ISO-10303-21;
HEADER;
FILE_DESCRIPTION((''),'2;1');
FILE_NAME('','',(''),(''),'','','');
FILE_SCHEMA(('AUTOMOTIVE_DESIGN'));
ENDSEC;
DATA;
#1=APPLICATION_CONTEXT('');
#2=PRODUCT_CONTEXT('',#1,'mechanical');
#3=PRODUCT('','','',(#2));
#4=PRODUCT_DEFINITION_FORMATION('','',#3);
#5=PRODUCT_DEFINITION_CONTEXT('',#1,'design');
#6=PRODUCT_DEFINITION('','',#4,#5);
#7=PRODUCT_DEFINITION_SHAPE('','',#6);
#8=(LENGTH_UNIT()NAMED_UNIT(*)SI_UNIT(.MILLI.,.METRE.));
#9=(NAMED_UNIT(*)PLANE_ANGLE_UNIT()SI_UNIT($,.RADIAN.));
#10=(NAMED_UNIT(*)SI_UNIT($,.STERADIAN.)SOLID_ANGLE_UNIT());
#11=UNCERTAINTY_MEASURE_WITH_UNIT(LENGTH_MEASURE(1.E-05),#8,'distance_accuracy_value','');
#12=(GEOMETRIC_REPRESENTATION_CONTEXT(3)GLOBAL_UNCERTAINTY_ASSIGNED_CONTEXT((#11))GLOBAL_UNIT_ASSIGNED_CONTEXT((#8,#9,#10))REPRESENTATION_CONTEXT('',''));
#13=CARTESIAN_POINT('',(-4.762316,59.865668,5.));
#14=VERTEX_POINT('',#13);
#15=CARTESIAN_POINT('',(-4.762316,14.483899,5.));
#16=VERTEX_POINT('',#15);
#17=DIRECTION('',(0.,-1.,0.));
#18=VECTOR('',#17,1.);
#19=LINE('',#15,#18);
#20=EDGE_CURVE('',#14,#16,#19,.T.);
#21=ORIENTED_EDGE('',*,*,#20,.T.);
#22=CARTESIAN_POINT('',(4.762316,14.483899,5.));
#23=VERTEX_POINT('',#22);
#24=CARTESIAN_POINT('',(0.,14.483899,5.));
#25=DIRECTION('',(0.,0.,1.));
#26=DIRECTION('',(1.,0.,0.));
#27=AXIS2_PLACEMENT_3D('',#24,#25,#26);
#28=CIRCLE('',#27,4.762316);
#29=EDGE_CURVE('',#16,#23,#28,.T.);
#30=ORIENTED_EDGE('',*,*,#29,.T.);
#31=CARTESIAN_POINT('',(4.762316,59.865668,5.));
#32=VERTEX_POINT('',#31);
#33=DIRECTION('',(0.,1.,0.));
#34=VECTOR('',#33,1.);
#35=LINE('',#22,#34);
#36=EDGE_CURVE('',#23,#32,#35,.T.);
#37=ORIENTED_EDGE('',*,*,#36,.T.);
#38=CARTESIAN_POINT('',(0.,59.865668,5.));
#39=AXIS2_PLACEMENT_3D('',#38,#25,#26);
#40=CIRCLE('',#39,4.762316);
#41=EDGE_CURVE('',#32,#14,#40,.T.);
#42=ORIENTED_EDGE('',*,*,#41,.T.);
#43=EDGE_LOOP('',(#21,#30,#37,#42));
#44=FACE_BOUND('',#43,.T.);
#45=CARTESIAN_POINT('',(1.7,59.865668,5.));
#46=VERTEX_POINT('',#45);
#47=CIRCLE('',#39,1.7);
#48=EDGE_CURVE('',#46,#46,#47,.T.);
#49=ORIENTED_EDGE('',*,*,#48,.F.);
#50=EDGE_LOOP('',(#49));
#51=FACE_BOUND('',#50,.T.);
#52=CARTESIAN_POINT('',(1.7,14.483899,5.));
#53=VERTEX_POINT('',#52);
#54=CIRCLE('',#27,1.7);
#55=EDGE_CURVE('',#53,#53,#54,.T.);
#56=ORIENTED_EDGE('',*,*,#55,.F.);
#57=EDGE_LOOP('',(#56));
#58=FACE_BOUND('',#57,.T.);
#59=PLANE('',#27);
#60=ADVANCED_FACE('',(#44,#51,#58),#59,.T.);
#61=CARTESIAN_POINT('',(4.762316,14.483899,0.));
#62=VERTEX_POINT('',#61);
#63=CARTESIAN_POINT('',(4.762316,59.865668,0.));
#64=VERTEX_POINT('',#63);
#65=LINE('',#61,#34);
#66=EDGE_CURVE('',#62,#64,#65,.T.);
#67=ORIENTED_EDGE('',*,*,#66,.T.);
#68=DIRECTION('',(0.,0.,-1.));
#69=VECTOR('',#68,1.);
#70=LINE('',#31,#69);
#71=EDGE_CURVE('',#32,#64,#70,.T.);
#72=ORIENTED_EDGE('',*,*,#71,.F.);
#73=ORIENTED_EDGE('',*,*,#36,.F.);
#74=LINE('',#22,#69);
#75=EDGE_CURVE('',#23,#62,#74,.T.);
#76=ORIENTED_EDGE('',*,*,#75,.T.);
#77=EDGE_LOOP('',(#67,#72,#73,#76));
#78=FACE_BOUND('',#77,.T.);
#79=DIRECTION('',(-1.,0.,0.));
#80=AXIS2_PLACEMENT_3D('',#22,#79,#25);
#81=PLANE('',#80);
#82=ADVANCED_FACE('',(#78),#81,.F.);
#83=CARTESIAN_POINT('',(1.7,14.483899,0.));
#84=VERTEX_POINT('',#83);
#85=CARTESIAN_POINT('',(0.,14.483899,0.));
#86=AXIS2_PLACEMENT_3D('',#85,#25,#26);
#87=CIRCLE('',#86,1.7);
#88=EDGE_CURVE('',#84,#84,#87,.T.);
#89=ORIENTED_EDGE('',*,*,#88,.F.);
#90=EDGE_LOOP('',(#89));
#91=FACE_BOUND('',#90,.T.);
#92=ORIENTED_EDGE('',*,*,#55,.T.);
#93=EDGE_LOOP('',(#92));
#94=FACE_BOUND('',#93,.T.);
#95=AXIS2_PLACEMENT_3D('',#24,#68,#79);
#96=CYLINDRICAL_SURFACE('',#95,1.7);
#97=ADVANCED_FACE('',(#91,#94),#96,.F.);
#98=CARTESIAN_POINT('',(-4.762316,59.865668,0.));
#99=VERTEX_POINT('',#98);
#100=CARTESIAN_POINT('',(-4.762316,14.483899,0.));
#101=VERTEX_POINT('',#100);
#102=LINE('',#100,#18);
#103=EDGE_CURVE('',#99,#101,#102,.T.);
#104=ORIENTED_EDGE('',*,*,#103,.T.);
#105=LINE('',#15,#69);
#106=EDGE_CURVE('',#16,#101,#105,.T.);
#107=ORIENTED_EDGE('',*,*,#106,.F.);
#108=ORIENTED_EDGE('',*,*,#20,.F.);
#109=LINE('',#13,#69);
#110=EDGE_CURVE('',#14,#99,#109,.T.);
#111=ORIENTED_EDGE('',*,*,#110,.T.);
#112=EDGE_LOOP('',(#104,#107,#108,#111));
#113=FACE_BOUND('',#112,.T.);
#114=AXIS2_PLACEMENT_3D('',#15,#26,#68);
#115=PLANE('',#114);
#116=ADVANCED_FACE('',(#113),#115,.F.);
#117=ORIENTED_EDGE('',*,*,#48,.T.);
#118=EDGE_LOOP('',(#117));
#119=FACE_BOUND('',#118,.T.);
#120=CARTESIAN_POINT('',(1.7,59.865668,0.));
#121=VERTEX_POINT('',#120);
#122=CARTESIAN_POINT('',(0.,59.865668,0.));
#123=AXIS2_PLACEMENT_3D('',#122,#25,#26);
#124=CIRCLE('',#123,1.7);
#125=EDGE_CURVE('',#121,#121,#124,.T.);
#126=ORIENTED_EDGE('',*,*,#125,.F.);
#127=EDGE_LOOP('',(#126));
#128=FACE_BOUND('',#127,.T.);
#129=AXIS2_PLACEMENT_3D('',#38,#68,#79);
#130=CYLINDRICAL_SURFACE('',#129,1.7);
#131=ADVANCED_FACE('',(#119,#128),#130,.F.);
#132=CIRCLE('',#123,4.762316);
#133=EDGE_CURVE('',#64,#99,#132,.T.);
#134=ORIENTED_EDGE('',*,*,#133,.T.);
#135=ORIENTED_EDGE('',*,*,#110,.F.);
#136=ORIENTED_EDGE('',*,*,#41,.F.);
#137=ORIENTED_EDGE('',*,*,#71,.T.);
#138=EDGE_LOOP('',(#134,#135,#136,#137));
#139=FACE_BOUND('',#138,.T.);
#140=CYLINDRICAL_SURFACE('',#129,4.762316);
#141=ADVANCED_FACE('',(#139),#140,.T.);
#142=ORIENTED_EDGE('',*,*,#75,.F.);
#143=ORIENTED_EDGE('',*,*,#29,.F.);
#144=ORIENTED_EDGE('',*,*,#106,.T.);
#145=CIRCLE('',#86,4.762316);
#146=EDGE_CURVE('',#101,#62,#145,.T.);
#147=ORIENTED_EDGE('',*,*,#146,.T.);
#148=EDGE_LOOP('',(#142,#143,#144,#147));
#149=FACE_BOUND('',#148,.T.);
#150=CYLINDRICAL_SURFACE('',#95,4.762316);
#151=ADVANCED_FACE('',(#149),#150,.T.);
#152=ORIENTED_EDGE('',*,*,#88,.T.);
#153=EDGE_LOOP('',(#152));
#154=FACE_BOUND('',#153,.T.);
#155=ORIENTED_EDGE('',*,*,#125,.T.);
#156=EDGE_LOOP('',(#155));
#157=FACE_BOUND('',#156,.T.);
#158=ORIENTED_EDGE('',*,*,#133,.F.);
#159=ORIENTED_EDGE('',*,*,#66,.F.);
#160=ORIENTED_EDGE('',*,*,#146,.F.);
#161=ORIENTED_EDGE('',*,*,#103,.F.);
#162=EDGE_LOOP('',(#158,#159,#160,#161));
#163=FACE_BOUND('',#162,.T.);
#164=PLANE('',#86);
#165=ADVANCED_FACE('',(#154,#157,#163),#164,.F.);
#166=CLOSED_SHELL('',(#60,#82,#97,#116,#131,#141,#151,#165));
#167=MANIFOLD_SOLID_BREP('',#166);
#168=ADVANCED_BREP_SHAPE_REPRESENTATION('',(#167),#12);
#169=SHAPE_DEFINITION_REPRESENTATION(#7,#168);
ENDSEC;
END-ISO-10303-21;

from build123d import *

# Parameters (mm, degrees)
SKETCH1_R           = 1.7
BOSS_EXTRUDE1_DEPTH = 5


with BuildPart() as part:
    # Sketch1 → Boss-Extrude1 (new body)
    with BuildSketch(Plane.XY):
        with BuildLine():
            Line((-4.762315653, 14.483898553), (-4.762315653, 59.865668381))
            ThreePointArc((-4.762315653, 59.865668381), (0, 64.627984033), (4.762315653, 59.865668381))
            Line((4.762315653, 59.865668381), (4.762315653, 14.483898553))
            ThreePointArc((4.762315653, 14.483898553), (0, 9.721582901), (-4.762315653, 14.483898553))
        make_face()
        with Locations((0, 59.865668381)):
            Circle(SKETCH1_R, mode=Mode.SUBTRACT)
        with Locations((0, 14.483898553)):
            Circle(SKETCH1_R, mode=Mode.SUBTRACT)
    extrude(amount=BOSS_EXTRUDE1_DEPTH)


solid = part.part
